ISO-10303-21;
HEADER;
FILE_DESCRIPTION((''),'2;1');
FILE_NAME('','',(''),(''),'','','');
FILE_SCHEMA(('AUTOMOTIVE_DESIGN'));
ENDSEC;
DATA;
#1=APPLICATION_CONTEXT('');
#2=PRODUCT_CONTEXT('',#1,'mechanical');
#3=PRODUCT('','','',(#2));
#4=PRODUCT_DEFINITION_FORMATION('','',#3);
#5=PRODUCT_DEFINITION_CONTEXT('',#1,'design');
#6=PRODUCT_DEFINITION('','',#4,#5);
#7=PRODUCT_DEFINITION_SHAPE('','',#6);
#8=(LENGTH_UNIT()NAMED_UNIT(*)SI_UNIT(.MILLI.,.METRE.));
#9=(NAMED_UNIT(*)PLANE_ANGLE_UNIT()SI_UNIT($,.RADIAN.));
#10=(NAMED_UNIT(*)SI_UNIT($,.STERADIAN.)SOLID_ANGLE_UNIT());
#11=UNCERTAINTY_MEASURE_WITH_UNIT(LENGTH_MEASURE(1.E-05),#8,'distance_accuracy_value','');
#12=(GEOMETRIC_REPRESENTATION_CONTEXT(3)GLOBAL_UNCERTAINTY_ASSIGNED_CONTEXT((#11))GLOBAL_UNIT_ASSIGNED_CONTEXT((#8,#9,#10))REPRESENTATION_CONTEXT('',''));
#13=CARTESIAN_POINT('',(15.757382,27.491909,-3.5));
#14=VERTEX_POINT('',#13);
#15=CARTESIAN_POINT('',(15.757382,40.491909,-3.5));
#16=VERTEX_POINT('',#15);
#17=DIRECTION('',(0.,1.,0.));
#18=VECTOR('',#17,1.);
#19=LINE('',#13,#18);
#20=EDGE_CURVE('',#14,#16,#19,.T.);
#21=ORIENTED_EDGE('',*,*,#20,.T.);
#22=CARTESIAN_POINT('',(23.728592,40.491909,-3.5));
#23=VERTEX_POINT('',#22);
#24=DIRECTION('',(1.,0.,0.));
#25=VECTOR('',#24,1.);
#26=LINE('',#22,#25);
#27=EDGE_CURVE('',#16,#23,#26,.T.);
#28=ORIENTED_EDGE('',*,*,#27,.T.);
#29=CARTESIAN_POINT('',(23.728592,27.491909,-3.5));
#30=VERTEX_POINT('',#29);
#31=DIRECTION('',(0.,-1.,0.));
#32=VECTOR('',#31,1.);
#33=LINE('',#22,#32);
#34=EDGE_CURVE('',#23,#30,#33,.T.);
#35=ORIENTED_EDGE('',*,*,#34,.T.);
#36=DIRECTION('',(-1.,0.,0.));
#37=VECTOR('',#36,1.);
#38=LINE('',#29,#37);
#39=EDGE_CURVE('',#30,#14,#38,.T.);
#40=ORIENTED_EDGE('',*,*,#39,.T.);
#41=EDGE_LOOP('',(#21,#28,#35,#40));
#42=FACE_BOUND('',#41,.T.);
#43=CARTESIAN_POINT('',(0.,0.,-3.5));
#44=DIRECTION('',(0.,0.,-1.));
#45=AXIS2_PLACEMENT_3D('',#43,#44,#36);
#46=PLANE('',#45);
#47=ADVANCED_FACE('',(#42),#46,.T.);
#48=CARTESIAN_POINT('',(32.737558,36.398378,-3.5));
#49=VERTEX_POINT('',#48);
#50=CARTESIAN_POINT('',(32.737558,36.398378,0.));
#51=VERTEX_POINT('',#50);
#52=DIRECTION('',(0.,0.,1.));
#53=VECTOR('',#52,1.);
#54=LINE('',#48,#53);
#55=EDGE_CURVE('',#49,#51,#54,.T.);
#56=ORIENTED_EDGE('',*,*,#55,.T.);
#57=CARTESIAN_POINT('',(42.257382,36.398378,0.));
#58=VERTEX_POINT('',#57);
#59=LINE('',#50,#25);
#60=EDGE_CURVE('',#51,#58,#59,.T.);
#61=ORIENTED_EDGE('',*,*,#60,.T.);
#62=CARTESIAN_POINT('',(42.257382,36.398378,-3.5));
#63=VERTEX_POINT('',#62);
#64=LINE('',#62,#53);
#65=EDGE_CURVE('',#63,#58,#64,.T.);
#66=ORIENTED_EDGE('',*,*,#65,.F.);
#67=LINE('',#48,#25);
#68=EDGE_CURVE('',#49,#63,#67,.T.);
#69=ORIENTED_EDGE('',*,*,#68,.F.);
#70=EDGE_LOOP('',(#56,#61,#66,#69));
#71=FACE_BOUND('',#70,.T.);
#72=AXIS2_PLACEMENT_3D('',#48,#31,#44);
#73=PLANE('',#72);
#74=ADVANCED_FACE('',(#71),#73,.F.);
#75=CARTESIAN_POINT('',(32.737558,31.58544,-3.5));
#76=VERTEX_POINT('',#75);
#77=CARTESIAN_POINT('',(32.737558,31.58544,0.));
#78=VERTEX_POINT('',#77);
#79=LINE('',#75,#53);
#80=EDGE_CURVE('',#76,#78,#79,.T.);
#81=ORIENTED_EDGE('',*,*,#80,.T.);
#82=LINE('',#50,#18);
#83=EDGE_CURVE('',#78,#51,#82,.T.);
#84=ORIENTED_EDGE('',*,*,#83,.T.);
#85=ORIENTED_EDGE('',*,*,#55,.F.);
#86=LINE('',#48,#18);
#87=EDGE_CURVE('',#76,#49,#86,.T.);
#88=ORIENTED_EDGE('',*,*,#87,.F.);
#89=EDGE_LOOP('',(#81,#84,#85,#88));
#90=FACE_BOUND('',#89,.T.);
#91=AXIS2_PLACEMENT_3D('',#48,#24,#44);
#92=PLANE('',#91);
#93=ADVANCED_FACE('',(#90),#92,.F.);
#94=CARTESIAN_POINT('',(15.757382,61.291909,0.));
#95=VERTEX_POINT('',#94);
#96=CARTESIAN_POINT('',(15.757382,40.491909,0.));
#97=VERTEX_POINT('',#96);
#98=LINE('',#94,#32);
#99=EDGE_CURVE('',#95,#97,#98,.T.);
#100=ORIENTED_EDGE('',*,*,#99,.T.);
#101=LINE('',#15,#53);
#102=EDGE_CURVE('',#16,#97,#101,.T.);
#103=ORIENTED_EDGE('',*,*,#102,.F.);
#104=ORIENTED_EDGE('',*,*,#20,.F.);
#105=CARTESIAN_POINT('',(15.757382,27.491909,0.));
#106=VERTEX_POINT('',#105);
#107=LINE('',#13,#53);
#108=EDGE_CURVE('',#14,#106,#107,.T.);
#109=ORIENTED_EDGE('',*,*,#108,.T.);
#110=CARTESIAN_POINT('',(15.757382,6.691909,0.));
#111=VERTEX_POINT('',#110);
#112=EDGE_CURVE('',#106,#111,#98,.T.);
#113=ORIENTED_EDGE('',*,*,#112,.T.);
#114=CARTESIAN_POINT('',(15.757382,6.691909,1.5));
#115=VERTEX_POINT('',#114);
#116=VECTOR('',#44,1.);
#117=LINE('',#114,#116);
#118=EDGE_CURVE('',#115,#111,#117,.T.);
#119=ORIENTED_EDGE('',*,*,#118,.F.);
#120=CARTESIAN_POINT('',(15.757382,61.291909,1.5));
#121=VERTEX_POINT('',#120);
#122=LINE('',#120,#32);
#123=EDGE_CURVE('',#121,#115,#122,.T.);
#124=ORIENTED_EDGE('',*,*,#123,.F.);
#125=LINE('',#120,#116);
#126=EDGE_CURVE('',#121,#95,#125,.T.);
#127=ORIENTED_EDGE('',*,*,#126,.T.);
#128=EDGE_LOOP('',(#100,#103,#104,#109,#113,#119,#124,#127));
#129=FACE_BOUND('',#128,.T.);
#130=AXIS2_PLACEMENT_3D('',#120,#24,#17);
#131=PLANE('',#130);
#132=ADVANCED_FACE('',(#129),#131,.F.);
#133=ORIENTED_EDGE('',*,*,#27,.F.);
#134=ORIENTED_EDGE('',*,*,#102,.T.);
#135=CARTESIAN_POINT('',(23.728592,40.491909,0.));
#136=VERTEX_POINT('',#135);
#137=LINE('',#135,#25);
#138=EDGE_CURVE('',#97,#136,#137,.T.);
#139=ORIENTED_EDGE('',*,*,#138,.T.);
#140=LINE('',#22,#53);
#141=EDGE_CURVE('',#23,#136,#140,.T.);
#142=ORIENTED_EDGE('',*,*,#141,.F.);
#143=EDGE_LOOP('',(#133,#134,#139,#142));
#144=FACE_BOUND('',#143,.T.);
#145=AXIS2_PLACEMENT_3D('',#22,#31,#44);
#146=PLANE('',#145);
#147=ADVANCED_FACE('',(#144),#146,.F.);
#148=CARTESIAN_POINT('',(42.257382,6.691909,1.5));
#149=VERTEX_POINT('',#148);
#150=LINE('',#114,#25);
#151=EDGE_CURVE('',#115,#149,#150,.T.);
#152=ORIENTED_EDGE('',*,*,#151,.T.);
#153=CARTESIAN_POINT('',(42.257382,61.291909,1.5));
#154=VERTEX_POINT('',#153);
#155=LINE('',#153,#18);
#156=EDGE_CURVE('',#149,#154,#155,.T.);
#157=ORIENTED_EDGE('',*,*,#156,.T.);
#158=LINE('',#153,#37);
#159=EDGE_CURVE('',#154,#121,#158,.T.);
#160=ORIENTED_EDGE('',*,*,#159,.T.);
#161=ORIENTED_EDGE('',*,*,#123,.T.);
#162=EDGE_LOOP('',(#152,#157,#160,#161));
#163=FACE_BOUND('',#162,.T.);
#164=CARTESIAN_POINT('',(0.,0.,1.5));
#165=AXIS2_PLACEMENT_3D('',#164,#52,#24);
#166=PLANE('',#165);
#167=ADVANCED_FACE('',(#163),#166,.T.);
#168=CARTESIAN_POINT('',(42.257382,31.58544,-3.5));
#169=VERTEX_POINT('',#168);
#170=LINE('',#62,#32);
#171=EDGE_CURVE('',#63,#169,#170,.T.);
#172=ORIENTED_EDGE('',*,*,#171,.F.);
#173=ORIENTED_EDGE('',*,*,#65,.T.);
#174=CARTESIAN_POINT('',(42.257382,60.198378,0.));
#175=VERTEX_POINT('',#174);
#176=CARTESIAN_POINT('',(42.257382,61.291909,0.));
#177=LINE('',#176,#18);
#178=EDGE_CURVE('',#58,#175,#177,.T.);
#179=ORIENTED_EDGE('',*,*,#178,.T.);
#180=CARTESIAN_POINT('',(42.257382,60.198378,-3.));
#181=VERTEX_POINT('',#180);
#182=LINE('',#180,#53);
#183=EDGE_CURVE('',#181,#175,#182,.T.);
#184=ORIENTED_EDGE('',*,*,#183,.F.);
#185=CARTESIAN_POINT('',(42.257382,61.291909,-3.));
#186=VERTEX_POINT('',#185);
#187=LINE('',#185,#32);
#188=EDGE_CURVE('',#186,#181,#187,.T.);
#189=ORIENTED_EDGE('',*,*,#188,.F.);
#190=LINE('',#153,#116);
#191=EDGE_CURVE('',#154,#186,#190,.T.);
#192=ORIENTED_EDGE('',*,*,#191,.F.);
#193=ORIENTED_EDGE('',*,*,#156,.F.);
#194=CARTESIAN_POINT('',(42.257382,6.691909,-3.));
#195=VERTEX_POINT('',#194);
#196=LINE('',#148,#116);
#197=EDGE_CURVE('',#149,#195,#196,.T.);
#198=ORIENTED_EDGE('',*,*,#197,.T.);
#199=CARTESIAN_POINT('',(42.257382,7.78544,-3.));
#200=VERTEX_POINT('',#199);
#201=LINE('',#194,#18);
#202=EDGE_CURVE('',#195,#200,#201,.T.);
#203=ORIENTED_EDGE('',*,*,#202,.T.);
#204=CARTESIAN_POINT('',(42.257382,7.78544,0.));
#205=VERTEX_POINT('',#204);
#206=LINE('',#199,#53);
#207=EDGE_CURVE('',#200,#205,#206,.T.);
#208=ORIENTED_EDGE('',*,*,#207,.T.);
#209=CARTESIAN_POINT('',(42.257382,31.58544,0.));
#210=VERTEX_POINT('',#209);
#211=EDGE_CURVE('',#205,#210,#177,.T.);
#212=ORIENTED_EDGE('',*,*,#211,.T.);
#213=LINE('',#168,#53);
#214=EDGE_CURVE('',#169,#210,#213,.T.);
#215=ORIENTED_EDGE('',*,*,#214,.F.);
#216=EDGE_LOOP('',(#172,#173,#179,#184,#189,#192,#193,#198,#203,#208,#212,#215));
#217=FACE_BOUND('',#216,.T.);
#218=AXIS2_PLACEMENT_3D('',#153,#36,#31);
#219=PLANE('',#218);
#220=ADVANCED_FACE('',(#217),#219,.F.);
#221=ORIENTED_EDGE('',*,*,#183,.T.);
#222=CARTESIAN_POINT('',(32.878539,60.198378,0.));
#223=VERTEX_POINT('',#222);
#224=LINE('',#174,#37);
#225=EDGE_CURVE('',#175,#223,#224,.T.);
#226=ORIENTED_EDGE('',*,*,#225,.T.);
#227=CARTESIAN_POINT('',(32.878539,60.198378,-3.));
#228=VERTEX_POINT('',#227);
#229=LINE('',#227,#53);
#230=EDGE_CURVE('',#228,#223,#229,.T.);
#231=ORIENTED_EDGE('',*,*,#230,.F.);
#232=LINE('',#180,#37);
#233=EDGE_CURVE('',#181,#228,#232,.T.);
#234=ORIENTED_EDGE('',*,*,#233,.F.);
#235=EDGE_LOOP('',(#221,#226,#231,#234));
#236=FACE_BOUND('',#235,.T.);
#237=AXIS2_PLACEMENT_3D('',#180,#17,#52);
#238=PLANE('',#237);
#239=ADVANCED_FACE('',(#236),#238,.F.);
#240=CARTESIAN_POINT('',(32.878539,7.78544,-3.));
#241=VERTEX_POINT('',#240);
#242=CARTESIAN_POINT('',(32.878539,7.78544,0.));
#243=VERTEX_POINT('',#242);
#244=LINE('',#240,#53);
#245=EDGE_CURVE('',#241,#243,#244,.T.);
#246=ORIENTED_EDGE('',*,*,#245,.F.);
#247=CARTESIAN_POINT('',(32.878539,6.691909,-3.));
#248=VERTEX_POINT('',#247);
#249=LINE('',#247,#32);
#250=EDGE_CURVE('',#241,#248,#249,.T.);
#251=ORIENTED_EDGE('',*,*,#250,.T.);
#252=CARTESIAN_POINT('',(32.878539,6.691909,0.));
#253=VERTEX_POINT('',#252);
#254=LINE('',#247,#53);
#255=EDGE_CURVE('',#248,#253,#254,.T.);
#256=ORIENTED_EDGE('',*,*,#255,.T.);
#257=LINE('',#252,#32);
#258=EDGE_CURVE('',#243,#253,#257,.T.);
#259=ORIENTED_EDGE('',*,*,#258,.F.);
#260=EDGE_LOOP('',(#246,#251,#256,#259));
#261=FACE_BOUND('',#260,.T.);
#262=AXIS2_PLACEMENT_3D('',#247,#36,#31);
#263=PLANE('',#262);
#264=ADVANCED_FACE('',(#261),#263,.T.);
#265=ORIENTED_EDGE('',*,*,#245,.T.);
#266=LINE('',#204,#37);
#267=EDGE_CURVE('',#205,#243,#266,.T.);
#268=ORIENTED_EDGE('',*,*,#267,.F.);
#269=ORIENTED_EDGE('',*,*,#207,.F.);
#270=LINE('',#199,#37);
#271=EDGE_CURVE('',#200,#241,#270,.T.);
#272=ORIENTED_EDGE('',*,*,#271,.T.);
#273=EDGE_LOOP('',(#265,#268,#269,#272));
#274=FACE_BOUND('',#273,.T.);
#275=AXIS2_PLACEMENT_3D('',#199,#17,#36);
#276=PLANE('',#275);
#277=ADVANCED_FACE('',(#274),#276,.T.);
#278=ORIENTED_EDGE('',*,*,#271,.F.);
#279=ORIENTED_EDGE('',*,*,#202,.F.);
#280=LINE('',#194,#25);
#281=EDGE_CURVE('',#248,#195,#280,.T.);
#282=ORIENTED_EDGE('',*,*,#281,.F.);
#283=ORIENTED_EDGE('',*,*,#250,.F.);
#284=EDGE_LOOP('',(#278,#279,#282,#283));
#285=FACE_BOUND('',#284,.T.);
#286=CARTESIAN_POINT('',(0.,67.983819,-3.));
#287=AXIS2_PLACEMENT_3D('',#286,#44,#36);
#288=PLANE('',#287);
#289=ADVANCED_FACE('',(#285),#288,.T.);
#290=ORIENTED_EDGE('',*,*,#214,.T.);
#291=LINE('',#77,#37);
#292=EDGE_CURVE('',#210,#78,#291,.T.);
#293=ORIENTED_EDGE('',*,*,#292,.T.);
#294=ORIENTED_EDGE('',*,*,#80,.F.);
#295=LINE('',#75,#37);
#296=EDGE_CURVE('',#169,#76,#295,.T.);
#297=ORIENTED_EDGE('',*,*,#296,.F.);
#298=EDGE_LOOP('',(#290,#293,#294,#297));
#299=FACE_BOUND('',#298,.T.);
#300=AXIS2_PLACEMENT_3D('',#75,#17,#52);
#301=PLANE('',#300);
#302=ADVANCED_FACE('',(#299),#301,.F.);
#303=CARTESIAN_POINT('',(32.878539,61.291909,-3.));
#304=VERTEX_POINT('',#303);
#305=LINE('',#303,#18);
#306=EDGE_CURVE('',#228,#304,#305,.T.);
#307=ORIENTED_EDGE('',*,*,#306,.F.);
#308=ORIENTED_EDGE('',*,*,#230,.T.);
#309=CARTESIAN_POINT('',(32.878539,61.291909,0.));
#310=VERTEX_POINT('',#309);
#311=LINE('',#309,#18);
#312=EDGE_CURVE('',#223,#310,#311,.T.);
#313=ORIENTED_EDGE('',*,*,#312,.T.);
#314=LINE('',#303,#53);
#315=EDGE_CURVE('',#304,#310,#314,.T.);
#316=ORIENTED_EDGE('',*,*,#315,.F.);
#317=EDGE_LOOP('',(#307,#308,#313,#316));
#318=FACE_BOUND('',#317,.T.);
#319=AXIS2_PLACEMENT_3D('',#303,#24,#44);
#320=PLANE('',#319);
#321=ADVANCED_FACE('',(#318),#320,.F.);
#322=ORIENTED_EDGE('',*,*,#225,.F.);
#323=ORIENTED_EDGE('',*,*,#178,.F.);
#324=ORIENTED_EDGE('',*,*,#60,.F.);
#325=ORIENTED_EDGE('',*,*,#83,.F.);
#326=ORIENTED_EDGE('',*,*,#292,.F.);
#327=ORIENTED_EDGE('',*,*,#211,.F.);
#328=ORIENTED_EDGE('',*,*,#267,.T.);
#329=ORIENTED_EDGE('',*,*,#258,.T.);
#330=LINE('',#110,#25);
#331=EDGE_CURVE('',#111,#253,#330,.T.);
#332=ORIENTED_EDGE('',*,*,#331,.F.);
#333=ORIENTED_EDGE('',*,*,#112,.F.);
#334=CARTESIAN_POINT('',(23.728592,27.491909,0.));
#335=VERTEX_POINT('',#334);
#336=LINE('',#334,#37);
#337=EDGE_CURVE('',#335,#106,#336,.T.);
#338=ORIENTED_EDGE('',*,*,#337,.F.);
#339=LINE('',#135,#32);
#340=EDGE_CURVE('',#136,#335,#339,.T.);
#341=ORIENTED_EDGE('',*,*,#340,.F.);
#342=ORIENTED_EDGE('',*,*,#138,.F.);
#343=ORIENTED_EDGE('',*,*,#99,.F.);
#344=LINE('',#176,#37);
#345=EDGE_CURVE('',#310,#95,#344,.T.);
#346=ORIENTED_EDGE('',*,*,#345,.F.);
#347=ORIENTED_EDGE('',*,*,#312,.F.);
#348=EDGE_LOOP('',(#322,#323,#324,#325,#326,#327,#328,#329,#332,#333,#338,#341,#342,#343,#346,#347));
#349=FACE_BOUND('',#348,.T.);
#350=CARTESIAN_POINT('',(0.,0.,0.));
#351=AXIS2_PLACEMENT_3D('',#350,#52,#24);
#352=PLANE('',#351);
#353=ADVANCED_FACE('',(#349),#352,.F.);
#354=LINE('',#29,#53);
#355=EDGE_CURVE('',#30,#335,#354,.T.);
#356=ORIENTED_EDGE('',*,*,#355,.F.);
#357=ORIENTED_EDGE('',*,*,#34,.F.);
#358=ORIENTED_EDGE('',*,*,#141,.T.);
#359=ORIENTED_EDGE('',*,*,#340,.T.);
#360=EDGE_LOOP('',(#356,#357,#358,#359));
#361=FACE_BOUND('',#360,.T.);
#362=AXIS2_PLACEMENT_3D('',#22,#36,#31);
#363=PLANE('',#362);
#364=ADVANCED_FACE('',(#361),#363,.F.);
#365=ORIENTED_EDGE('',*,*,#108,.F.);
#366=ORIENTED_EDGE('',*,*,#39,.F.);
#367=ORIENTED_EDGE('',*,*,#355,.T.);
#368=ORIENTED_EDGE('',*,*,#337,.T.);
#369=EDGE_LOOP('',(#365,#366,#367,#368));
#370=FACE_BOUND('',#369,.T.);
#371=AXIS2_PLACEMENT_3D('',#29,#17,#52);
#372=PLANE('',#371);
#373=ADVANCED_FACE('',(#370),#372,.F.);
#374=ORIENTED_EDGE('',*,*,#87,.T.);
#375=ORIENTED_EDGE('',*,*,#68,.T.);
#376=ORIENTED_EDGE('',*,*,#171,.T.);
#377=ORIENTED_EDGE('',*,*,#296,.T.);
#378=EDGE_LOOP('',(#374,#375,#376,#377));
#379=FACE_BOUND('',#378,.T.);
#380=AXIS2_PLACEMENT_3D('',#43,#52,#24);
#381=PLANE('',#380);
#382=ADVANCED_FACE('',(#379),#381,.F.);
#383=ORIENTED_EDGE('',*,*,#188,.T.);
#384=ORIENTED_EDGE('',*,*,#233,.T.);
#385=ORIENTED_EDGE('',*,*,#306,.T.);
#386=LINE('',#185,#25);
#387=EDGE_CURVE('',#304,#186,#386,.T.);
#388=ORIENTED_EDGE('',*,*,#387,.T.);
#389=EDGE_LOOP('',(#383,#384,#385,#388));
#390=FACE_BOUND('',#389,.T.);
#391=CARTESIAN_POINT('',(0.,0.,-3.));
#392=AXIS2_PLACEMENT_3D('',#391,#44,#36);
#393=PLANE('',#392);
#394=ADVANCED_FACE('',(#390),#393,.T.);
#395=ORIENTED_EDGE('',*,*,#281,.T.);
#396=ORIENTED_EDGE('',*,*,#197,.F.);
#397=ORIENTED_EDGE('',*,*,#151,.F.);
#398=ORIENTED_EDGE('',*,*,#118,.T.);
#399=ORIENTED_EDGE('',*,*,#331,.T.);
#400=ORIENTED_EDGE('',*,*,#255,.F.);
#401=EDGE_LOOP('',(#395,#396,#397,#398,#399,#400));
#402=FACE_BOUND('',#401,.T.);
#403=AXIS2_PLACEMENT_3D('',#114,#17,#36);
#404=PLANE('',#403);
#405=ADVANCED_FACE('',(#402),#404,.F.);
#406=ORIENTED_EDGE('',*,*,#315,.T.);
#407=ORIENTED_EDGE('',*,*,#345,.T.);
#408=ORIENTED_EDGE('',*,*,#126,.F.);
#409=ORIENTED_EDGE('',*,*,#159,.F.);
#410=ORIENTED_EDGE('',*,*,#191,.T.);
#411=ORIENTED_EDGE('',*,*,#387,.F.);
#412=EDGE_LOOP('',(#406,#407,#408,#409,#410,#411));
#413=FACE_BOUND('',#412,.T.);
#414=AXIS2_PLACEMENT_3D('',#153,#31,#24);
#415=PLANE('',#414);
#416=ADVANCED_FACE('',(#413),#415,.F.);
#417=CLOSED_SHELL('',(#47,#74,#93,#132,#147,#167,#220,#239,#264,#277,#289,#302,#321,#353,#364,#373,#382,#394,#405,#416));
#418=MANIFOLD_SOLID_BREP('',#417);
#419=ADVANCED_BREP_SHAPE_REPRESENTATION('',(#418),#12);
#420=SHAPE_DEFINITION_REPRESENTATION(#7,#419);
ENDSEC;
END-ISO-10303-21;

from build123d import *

# Parameters (mm, degrees)
SKETCH_1_W      = 26.5
SKETCH_1_H      = 54.6
EXTRUDE_1_DEPTH = 1.5
SKETCH_3_W      = 9.37884322
SKETCH_3_H      = 1.093530985
EXTRUDE_2_DEPTH = 3
SKETCH_4_W      = 9.519823585
SKETCH_4_H      = 4.812938029
SKETCH_4_W_2    = 7.971209668
SKETCH_4_H_2    = 13
EXTRUDE_3_DEPTH = 3.5


with BuildPart() as part:
    # ｽｹｯﾁ1 → ﾎﾞｽ - 押し出し1 (new body)
    with BuildSketch(Plane.XY):
        with Locations((29.00738196, 33.991909398)):
            Rectangle(SKETCH_1_W, SKETCH_1_H)
    extrude(amount=EXTRUDE_1_DEPTH)

    # ｽｹｯﾁ3 → ﾎﾞｽ - 押し出し2 (add)
    with BuildSketch(Plane(origin=(0, 0, 0), x_dir=(-1, 0, 0), z_dir=(0, 0, -1))):
        with Locations((-37.56796035, 60.745143906)):
            Rectangle(SKETCH_3_W, SKETCH_3_H)
    extrude_2 = extrude(amount=EXTRUDE_2_DEPTH)

    # ﾐﾗｰ1: ﾎﾞｽ - 押し出し2 across plane
    add(extrude_2.mirror(Plane(origin=(0, 33.991909398, 0), x_dir=(0, 0, 1), z_dir=(0, -1, 0))))

    # ｽｹｯﾁ4 → ﾎﾞｽ - 押し出し3 (add)
    with BuildSketch(Plane(origin=(0, 0, 0), x_dir=(-1, 0, 0), z_dir=(0, 0, -1))):
        with Locations((-37.497470167, 33.991909398)):
            Rectangle(SKETCH_4_W, SKETCH_4_H)
        with Locations((-19.742986794, 33.991909398)):
            Rectangle(SKETCH_4_W_2, SKETCH_4_H_2)
    extrude(amount=EXTRUDE_3_DEPTH)


solid = part.part
